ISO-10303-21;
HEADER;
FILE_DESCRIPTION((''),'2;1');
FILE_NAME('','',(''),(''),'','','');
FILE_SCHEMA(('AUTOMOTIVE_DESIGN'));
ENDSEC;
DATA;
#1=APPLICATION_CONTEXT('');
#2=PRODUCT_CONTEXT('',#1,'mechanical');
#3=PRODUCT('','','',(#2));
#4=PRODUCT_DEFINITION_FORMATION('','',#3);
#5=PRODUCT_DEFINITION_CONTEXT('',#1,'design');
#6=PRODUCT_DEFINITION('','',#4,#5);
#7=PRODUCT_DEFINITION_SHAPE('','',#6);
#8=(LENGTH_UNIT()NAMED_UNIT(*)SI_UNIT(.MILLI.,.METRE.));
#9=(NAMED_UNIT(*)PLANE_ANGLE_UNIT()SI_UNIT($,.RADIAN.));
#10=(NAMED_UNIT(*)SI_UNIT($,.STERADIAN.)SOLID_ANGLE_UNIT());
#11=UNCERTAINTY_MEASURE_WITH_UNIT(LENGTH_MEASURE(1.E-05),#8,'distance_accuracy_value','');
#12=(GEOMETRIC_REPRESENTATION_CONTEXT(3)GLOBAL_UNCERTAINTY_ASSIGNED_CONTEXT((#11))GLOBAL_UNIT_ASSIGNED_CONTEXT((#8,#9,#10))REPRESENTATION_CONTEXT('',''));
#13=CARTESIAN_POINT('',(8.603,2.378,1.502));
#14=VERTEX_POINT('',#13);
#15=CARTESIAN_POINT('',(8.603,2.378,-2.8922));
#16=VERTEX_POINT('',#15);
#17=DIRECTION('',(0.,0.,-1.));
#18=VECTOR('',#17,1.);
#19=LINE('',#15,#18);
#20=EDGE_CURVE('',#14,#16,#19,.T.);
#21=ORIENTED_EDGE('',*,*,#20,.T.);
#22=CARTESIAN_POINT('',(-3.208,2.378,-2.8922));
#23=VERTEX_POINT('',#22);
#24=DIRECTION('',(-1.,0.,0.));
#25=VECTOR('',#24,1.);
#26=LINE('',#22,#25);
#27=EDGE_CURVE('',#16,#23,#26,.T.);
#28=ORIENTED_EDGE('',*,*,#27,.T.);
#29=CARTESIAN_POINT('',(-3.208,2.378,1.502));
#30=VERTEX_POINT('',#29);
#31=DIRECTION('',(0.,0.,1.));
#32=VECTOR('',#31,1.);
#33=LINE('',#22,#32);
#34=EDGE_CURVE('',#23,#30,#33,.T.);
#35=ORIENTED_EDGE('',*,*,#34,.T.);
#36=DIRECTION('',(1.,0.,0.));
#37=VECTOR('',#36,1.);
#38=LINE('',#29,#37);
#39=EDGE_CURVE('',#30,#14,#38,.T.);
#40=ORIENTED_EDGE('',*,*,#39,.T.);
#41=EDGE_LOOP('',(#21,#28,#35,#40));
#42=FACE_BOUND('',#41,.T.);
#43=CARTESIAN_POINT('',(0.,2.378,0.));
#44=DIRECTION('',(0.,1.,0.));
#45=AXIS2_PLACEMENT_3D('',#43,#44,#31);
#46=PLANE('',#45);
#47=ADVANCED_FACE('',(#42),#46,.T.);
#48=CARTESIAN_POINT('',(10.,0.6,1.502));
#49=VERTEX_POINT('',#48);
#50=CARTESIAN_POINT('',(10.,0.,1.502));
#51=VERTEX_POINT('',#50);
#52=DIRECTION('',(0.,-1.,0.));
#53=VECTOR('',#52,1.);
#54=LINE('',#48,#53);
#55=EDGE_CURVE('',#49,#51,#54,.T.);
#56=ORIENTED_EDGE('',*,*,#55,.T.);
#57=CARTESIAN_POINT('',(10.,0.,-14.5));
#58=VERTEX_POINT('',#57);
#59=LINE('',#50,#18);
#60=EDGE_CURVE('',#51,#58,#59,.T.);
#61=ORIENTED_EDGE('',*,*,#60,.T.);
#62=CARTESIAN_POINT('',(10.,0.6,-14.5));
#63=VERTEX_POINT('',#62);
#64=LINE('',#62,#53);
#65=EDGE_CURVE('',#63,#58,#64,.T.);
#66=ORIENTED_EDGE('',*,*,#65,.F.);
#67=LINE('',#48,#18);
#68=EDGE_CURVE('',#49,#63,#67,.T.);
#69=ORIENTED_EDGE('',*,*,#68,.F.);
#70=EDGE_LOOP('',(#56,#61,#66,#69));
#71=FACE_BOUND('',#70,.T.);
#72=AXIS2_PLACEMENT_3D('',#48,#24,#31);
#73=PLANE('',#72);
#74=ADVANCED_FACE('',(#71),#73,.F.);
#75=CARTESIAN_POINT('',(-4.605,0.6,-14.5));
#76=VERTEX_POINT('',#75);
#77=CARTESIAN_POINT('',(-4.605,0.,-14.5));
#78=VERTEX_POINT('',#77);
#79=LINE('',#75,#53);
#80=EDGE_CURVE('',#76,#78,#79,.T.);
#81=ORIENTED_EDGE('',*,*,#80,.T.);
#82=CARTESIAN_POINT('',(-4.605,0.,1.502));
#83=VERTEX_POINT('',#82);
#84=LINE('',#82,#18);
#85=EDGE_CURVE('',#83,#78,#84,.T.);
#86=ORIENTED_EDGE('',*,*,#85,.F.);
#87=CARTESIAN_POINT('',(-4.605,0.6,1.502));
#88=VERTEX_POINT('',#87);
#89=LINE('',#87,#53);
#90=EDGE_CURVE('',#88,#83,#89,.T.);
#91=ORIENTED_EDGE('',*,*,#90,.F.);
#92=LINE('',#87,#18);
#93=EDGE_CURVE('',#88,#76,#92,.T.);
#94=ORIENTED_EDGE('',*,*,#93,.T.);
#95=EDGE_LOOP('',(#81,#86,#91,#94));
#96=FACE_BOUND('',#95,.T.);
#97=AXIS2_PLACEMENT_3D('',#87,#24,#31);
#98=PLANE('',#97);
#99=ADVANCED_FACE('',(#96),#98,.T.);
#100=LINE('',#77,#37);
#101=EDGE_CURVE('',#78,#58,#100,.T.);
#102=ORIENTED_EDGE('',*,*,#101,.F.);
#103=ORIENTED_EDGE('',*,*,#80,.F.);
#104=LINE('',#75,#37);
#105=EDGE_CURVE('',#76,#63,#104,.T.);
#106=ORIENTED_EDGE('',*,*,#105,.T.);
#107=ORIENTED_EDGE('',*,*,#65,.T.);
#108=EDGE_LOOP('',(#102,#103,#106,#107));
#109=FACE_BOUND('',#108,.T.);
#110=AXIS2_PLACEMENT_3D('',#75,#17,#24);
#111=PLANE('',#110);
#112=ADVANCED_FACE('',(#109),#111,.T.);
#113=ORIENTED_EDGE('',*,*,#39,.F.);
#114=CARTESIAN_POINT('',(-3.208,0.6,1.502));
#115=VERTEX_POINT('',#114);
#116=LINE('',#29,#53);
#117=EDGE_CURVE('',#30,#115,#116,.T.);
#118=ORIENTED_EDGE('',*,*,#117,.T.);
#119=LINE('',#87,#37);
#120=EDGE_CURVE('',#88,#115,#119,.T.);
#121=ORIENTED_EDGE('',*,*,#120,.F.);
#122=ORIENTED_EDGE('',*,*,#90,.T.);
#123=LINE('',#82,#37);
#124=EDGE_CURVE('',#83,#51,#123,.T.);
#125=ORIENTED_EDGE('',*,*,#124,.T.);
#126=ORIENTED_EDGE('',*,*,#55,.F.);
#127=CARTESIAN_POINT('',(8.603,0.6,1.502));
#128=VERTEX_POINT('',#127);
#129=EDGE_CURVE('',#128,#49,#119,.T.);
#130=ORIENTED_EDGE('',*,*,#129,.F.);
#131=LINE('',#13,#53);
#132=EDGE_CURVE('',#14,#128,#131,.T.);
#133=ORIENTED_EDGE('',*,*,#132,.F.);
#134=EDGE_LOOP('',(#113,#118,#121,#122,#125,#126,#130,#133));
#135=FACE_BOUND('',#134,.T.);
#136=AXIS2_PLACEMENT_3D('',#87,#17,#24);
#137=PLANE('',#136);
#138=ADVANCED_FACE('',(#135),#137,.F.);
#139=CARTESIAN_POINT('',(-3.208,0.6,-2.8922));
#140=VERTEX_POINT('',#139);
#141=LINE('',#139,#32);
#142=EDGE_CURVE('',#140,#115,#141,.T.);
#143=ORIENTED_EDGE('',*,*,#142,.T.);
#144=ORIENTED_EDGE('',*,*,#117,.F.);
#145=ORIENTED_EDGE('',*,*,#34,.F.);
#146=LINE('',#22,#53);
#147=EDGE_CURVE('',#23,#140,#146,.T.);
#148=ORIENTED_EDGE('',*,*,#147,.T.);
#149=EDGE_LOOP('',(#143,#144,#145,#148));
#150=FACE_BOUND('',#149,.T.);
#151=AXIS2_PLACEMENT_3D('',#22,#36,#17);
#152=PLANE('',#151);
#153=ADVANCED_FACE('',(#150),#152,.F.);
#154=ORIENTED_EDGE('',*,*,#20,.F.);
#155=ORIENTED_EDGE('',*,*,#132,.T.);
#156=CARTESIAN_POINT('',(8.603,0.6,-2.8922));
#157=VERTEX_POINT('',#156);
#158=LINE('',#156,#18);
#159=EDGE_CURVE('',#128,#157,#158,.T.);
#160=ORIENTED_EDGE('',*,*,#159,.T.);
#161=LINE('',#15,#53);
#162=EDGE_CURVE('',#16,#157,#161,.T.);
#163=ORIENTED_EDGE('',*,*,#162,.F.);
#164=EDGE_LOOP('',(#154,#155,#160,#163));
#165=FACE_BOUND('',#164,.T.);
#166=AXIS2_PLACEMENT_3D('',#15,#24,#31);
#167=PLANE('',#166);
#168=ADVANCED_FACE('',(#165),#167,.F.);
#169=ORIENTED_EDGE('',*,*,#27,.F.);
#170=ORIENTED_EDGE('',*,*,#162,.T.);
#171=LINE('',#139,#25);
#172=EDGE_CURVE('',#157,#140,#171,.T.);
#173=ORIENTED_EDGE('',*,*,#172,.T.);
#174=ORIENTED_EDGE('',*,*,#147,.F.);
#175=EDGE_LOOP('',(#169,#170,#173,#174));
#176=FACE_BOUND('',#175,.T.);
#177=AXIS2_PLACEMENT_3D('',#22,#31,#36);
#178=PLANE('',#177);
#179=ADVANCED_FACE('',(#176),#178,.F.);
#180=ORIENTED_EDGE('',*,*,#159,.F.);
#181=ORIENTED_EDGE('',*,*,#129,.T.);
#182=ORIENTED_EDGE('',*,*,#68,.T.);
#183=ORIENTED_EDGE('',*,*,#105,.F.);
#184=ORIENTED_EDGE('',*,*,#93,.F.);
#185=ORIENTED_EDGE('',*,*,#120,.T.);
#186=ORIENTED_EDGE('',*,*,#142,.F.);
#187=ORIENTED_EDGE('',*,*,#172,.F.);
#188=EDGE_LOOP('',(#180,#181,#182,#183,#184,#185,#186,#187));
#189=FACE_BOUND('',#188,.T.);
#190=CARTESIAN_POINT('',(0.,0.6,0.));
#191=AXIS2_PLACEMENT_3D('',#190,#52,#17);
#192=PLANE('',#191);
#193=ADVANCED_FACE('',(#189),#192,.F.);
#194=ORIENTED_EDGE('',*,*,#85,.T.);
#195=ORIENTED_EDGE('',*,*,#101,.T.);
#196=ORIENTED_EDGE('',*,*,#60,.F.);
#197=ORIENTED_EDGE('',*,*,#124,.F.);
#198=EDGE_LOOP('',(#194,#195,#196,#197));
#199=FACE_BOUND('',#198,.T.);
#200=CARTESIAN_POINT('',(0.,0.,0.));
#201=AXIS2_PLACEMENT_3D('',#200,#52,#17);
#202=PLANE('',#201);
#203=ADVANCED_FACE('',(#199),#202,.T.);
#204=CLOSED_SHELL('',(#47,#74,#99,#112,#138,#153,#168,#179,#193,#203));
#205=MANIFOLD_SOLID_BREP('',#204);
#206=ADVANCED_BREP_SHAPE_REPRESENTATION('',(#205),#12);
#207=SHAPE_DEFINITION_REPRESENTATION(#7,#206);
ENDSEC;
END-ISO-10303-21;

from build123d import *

# Parameters (mm, degrees)
SKETCH1_W           = 14.605
SKETCH1_H           = 16.002
BOSS_EXTRUDE1_DEPTH = 0.6
SKETCH2_W           = 11.811
SKETCH2_H           = 4.3942
BOSS_EXTRUDE2_DEPTH = 1.778


with BuildPart() as part:
    # Sketch1 → Boss-Extrude1 (new body)
    with BuildSketch(Plane(origin=(0, 0, 0), x_dir=(1, 0, 0), z_dir=(0, 1, 0))):
        with Locations((2.6975, 6.499)):
            Rectangle(SKETCH1_W, SKETCH1_H)
    extrude(amount=BOSS_EXTRUDE1_DEPTH)

    # Sketch2 → Boss-Extrude2 (add)
    with BuildSketch(Plane(origin=(0, 0.6, 0), x_dir=(1, 0, 0), z_dir=(0, 1, 0))):
        with Locations((2.6975, 0.6951)):
            Rectangle(SKETCH2_W, SKETCH2_H)
    extrude(amount=BOSS_EXTRUDE2_DEPTH)


solid = part.part
